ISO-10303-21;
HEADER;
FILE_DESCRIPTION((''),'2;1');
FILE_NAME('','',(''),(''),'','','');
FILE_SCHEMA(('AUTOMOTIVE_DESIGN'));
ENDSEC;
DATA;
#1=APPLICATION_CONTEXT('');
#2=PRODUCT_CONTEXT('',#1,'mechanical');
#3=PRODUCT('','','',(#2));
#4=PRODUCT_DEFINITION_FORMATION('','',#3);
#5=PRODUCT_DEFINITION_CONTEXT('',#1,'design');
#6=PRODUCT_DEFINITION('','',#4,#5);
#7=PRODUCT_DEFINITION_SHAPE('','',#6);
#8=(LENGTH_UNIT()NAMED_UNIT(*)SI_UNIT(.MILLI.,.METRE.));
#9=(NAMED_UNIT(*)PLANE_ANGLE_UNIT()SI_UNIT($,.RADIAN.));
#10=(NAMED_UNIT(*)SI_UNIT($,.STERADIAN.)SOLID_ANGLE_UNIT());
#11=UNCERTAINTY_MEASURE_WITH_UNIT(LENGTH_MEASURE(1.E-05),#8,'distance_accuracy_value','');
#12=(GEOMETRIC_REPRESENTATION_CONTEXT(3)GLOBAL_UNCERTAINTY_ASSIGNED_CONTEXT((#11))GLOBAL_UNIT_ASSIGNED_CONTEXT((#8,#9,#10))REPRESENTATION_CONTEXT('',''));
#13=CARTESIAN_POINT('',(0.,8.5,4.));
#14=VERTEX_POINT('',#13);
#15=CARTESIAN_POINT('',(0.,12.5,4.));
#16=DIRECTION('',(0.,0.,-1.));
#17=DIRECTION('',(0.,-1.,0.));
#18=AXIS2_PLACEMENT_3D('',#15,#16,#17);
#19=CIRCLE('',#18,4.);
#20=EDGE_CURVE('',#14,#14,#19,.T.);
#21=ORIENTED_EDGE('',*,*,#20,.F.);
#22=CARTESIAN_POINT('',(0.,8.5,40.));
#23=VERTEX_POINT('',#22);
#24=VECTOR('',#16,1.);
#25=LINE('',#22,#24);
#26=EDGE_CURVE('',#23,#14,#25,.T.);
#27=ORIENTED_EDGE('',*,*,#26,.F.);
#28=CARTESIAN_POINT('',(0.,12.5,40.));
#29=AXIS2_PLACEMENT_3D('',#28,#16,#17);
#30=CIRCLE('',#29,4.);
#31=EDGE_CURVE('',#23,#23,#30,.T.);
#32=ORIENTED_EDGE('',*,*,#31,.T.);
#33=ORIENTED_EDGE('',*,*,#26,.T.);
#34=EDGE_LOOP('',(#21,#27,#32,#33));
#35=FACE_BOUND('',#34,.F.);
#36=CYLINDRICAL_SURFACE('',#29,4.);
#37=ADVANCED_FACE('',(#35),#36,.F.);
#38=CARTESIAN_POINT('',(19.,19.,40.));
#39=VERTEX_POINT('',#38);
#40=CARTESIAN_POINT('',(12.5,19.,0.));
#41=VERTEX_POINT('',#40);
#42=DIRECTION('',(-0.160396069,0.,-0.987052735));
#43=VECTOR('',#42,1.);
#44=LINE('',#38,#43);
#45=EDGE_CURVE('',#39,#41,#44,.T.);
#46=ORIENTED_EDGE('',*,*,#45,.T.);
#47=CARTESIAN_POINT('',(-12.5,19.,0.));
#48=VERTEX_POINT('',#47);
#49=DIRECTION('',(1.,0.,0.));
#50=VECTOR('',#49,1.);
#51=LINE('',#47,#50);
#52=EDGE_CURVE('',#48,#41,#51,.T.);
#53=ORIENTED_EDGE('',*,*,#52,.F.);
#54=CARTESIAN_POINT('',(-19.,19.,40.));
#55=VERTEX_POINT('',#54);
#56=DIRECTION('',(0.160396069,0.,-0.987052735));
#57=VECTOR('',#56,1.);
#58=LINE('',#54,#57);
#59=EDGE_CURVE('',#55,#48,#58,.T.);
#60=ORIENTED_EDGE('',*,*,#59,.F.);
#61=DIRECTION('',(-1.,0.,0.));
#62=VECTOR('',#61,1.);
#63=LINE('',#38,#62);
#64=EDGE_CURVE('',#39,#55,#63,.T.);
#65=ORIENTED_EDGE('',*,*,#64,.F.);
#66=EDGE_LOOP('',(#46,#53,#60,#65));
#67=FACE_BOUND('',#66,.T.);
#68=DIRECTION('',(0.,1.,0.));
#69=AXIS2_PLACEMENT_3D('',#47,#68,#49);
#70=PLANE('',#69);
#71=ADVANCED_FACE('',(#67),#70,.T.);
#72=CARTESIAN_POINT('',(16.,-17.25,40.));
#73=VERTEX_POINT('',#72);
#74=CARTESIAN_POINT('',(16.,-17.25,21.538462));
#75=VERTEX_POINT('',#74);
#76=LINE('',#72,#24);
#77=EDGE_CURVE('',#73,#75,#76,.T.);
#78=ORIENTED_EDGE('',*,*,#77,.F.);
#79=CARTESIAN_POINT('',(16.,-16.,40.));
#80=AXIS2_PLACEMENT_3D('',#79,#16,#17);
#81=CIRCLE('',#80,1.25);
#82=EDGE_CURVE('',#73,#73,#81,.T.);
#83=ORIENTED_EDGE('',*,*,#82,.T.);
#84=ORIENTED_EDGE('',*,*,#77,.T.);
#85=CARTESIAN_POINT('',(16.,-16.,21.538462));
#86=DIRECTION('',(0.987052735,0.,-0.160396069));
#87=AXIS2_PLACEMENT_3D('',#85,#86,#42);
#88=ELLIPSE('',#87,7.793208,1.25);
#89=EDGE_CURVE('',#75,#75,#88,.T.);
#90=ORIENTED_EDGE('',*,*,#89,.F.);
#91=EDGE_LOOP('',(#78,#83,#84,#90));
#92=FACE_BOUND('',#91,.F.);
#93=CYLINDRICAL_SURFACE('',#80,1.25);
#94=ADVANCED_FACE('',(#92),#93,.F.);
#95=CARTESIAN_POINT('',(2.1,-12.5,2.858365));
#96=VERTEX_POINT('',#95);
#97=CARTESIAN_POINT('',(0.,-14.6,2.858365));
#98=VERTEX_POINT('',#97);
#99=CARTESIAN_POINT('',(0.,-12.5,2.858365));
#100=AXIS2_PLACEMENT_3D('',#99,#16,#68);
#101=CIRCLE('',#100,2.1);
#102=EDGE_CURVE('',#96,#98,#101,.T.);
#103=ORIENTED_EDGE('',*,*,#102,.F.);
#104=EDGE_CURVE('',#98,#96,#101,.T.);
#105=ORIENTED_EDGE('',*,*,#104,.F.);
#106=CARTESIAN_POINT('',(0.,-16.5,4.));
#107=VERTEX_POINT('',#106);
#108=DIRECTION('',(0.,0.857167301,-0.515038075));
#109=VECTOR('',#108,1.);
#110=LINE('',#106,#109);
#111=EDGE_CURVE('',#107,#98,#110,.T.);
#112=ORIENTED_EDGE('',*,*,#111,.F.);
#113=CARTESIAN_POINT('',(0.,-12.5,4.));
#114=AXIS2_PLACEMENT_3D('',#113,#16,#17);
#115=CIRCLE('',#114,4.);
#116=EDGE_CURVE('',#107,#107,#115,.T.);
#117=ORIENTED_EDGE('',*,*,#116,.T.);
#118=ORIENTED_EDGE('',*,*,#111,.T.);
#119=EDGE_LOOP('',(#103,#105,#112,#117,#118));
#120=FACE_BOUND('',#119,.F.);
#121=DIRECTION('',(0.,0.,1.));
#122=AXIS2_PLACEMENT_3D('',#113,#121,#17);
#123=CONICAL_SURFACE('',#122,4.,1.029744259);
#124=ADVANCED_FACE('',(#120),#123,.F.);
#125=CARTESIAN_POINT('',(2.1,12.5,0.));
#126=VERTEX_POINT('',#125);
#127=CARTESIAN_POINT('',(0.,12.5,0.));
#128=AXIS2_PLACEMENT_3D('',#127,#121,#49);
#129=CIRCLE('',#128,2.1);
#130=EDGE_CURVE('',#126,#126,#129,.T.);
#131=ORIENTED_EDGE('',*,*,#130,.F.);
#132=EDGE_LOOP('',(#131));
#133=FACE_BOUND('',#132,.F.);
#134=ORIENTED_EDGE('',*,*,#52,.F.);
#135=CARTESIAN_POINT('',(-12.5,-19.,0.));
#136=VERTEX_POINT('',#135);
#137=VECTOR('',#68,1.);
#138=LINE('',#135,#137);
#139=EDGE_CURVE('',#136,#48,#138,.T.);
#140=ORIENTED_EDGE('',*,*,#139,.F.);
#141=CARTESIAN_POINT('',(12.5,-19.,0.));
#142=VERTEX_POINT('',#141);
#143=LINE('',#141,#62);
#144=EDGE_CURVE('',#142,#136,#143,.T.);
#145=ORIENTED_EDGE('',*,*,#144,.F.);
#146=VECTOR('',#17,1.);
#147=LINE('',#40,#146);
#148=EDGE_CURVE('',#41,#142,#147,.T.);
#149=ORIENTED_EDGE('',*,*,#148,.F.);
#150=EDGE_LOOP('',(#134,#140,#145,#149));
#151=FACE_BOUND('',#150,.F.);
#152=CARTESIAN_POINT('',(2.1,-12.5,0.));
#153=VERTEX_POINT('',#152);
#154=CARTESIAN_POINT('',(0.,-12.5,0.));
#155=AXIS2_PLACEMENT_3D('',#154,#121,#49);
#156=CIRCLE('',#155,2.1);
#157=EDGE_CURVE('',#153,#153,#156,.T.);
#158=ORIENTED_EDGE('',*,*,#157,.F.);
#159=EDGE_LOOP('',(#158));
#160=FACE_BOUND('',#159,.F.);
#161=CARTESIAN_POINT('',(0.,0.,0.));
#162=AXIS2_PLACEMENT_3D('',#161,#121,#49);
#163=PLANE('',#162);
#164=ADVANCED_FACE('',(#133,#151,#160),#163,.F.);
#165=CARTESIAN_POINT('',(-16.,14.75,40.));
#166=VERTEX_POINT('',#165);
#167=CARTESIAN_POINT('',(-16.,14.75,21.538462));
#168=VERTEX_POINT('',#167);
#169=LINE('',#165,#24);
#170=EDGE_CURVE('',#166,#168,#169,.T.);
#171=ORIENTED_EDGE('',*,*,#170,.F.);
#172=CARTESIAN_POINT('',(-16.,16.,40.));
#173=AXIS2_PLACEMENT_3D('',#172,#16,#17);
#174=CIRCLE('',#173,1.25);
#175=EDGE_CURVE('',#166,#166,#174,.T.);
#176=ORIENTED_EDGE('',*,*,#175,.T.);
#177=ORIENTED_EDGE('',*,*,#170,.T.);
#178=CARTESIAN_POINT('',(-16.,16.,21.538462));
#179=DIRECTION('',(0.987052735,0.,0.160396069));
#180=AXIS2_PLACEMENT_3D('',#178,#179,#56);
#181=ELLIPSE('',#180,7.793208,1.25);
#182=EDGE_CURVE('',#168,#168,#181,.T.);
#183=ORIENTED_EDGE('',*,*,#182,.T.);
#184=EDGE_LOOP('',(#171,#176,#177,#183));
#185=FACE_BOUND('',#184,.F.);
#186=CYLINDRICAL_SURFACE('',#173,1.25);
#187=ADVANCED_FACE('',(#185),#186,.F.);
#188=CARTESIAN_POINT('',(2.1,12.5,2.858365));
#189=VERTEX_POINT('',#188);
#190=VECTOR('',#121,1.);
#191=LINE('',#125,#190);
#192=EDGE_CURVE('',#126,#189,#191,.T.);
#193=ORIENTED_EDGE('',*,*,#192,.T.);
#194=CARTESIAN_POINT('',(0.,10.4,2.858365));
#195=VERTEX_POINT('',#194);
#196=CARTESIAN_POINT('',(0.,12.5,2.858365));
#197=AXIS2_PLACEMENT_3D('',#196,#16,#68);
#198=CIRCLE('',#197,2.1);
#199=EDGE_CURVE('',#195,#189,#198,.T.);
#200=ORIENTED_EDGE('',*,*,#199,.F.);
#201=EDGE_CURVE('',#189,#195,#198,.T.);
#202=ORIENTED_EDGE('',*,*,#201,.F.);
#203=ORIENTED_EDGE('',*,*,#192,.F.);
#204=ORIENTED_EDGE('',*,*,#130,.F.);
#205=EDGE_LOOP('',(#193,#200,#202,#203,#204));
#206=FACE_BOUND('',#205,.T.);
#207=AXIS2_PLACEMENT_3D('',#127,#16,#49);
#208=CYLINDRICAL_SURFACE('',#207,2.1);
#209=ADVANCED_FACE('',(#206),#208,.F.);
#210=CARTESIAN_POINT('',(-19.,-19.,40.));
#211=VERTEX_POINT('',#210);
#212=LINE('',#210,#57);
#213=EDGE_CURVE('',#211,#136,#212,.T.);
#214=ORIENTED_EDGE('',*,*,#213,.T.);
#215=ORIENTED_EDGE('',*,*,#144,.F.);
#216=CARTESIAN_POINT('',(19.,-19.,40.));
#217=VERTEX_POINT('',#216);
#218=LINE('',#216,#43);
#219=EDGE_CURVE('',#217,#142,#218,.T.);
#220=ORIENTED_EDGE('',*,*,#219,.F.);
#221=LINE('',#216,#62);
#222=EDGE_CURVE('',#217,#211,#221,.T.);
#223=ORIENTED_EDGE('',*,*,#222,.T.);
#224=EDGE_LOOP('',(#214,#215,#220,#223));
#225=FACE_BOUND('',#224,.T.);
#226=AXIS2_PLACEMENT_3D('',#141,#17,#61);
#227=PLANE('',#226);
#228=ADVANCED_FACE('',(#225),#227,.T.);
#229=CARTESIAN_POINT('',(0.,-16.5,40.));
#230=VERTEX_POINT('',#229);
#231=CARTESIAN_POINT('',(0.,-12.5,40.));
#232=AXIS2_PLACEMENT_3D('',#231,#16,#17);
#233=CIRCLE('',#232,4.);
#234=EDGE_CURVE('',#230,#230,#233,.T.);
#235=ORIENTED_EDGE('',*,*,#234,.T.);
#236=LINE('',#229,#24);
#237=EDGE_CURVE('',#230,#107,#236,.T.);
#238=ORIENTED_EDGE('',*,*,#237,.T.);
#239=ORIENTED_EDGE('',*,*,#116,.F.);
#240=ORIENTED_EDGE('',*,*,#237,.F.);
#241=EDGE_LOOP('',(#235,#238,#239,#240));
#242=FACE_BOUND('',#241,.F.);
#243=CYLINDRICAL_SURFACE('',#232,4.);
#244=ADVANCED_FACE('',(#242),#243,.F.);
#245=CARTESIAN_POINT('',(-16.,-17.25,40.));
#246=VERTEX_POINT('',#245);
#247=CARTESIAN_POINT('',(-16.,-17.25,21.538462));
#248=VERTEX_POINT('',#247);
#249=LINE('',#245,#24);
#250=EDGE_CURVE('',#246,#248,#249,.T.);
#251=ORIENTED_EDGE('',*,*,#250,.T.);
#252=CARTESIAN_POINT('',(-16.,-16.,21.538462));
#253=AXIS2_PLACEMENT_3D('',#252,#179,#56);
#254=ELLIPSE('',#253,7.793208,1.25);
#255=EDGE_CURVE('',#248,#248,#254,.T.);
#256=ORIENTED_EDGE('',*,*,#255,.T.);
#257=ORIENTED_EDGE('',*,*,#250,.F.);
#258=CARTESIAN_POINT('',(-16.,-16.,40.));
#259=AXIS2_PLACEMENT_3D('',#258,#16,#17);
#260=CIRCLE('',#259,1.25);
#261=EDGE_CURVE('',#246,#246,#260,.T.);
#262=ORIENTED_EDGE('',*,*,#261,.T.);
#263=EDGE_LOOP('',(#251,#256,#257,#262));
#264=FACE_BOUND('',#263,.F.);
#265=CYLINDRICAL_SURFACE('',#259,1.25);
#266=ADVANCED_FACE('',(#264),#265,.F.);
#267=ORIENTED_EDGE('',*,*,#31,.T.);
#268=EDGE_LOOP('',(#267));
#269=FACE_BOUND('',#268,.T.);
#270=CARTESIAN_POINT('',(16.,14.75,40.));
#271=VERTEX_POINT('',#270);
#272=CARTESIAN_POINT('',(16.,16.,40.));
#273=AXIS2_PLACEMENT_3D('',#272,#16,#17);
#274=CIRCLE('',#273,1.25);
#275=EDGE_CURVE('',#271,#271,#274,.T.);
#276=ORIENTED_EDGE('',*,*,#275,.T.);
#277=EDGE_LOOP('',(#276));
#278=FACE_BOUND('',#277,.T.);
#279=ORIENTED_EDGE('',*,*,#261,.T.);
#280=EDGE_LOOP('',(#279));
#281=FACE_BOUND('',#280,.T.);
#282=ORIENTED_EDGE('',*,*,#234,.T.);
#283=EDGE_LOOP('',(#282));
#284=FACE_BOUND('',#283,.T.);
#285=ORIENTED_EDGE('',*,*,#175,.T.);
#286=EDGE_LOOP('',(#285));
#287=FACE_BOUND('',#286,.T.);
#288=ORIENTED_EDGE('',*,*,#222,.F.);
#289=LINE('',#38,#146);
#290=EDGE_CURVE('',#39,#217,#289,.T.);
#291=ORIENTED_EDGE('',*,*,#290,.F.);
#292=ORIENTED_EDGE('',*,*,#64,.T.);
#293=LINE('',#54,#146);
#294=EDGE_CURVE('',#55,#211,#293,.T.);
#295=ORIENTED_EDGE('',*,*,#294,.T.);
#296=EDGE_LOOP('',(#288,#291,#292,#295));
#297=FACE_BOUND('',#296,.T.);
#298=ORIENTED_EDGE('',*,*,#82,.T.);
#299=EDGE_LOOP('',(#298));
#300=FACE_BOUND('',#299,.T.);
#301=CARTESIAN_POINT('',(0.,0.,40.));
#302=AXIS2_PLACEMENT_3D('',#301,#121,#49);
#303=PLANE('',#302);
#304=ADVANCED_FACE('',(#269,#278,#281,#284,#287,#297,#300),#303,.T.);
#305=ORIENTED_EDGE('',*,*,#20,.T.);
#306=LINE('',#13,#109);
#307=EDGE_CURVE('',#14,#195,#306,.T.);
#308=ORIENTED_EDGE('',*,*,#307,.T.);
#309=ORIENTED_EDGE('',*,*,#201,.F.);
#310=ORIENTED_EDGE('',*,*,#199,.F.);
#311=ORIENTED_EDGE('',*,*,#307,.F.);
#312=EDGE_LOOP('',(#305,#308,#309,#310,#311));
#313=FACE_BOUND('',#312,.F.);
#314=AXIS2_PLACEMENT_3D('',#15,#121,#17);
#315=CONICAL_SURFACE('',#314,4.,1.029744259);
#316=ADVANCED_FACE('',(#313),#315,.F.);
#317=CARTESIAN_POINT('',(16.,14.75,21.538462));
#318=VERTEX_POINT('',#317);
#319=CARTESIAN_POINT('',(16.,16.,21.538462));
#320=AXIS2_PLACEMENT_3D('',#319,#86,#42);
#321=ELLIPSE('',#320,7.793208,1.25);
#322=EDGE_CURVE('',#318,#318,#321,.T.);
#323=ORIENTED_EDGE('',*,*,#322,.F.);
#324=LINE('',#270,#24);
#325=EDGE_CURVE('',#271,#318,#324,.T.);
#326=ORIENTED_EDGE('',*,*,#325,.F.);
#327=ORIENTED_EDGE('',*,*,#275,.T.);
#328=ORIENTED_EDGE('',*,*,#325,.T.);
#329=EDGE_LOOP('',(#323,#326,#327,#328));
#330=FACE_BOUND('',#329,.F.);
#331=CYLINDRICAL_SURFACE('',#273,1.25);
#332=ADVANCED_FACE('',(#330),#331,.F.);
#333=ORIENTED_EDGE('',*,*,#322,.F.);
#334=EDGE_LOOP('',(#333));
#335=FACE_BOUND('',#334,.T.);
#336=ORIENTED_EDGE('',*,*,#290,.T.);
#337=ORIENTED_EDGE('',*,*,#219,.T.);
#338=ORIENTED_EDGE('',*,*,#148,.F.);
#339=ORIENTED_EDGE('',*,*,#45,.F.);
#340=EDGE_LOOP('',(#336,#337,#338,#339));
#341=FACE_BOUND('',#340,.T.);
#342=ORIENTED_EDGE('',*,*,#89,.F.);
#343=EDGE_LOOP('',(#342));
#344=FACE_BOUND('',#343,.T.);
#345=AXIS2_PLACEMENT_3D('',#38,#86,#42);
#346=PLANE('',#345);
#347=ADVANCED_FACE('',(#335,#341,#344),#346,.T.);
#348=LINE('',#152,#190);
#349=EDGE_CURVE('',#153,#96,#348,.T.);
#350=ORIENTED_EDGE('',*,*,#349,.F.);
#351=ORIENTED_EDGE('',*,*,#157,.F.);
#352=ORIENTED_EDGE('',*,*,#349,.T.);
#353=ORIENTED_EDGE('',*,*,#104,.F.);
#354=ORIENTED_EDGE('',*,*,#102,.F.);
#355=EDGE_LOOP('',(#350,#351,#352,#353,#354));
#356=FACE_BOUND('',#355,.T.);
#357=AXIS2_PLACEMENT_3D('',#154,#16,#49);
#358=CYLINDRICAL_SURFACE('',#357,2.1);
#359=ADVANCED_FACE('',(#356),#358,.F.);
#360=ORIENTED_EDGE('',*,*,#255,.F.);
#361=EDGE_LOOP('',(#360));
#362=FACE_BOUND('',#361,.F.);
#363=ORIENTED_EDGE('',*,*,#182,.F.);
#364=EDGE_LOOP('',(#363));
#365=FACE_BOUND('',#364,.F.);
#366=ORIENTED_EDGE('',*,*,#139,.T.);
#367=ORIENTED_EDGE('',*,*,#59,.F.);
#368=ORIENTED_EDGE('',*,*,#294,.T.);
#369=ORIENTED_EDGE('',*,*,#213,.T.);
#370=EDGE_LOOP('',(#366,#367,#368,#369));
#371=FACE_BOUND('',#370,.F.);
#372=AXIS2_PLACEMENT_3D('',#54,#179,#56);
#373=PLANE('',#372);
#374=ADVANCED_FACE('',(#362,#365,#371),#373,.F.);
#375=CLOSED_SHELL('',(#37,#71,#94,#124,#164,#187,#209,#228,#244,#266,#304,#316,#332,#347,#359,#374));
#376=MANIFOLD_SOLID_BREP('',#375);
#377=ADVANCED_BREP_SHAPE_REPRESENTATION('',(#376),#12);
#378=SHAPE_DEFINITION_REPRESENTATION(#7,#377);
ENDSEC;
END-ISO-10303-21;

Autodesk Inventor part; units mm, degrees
ref_plane "YZ Plane" through (0, 0, 0) normal (1, 0, 0) x (0, 1, 0)
ref_plane "XZ Plane" through (0, 0, 0) normal (0, 1, 0) x (-1, 0, 0)
ref_plane "XY Plane" through (0, 0, 0) normal (0, 0, 1) x (1, 0, 0)
sketch "Sketch1" plane through (0, 0, 0) normal (0, 0, 1) x (1, 0, 0)
  line L0 (12.5, -19) -> (-12.5, -19)
  line L1 (-12.5, -19) -> (-12.5, 19)
  line L2 (-12.5, 19) -> (12.5, 19)
  line L3 (12.5, 19) -> (12.5, -19)
  line L4 (12.5, -19) -> (-12.5, 19) construction
  line L5 (-12.5, -19) -> (12.5, 19) construction
  circle A0 centre (0, 12.5) radius 2.1
  circle A1 centre (0, -12.5) radius 2.1
  point P0 (0, 0)
  dimension "d0" = 25
  dimension "d1" = 38
  dimension "d2" = 4.2
  dimension "d3" = 4.2
  dimension "d4" = 12.5
  dimension "d5" = 12.5
extrude "Extrusion1" add sketch "Sketch1" along normal blind 40
sketch "Sketch2" plane through (-12.5, 19, 0) normal (0, 1, 0) x (1, 0, 0)
  line L0 (0, 0) -> (0, -40) projected
  line L1 (0, -40) -> (-6.5, -40)
  line L2 (-6.5, -40) -> (0, 0)
  line L3 (0, -40) -> (25, -40) projected
  line L4 (0, 0) -> (0, -40)
  line L5 (25, -40) -> (31.5, -40)
  line L6 (25, 0) -> (25, -40) projected
  line L7 (31.5, -40) -> (25, 0)
  line L8 (25, 0) -> (25, -40)
  point P0 (12.5, 0)
  dimension "d8" = 6.5
  dimension "d9" = 6.5
extrude "Extrusion2" add sketch "Sketch2" against normal up to surface (38 mm away)
sketch "Sketch3" plane through (0, 0, 40) normal (0, 0, 1) x (1, 0, 0)
  line L0 (-5.4088, 0) -> (7.7062, 0)
  line L1 (0, 5.8117) -> (0, -6.6687)
  point P0 (0, 0)
  point P1 (-16, 16)
  point P2 (16, 16)
  point P3 (-16, -16)
  point P4 (16, -16)
  dimension "d12" = 16
  dimension "d13" = 16
  dimension "d16" = 32
  dimension "d19" = 32
hole "Hole1" at (-16, 16, 40) at (16, 16, 40) at (-16, -16, 40) at (16, -16, 40) direction (0, 0, -1) diameter 2.5 end through all
hole "Hole2" at (0, -12.5, 40) direction (0, 0, -1) diameter 8 depth 36 tip angle 118
hole "Hole3" at (0, 12.5, 40) direction (0, 0, -1) diameter 8 depth 36 tip angle 118
properties part number "RDtoRC2-height40mm"
